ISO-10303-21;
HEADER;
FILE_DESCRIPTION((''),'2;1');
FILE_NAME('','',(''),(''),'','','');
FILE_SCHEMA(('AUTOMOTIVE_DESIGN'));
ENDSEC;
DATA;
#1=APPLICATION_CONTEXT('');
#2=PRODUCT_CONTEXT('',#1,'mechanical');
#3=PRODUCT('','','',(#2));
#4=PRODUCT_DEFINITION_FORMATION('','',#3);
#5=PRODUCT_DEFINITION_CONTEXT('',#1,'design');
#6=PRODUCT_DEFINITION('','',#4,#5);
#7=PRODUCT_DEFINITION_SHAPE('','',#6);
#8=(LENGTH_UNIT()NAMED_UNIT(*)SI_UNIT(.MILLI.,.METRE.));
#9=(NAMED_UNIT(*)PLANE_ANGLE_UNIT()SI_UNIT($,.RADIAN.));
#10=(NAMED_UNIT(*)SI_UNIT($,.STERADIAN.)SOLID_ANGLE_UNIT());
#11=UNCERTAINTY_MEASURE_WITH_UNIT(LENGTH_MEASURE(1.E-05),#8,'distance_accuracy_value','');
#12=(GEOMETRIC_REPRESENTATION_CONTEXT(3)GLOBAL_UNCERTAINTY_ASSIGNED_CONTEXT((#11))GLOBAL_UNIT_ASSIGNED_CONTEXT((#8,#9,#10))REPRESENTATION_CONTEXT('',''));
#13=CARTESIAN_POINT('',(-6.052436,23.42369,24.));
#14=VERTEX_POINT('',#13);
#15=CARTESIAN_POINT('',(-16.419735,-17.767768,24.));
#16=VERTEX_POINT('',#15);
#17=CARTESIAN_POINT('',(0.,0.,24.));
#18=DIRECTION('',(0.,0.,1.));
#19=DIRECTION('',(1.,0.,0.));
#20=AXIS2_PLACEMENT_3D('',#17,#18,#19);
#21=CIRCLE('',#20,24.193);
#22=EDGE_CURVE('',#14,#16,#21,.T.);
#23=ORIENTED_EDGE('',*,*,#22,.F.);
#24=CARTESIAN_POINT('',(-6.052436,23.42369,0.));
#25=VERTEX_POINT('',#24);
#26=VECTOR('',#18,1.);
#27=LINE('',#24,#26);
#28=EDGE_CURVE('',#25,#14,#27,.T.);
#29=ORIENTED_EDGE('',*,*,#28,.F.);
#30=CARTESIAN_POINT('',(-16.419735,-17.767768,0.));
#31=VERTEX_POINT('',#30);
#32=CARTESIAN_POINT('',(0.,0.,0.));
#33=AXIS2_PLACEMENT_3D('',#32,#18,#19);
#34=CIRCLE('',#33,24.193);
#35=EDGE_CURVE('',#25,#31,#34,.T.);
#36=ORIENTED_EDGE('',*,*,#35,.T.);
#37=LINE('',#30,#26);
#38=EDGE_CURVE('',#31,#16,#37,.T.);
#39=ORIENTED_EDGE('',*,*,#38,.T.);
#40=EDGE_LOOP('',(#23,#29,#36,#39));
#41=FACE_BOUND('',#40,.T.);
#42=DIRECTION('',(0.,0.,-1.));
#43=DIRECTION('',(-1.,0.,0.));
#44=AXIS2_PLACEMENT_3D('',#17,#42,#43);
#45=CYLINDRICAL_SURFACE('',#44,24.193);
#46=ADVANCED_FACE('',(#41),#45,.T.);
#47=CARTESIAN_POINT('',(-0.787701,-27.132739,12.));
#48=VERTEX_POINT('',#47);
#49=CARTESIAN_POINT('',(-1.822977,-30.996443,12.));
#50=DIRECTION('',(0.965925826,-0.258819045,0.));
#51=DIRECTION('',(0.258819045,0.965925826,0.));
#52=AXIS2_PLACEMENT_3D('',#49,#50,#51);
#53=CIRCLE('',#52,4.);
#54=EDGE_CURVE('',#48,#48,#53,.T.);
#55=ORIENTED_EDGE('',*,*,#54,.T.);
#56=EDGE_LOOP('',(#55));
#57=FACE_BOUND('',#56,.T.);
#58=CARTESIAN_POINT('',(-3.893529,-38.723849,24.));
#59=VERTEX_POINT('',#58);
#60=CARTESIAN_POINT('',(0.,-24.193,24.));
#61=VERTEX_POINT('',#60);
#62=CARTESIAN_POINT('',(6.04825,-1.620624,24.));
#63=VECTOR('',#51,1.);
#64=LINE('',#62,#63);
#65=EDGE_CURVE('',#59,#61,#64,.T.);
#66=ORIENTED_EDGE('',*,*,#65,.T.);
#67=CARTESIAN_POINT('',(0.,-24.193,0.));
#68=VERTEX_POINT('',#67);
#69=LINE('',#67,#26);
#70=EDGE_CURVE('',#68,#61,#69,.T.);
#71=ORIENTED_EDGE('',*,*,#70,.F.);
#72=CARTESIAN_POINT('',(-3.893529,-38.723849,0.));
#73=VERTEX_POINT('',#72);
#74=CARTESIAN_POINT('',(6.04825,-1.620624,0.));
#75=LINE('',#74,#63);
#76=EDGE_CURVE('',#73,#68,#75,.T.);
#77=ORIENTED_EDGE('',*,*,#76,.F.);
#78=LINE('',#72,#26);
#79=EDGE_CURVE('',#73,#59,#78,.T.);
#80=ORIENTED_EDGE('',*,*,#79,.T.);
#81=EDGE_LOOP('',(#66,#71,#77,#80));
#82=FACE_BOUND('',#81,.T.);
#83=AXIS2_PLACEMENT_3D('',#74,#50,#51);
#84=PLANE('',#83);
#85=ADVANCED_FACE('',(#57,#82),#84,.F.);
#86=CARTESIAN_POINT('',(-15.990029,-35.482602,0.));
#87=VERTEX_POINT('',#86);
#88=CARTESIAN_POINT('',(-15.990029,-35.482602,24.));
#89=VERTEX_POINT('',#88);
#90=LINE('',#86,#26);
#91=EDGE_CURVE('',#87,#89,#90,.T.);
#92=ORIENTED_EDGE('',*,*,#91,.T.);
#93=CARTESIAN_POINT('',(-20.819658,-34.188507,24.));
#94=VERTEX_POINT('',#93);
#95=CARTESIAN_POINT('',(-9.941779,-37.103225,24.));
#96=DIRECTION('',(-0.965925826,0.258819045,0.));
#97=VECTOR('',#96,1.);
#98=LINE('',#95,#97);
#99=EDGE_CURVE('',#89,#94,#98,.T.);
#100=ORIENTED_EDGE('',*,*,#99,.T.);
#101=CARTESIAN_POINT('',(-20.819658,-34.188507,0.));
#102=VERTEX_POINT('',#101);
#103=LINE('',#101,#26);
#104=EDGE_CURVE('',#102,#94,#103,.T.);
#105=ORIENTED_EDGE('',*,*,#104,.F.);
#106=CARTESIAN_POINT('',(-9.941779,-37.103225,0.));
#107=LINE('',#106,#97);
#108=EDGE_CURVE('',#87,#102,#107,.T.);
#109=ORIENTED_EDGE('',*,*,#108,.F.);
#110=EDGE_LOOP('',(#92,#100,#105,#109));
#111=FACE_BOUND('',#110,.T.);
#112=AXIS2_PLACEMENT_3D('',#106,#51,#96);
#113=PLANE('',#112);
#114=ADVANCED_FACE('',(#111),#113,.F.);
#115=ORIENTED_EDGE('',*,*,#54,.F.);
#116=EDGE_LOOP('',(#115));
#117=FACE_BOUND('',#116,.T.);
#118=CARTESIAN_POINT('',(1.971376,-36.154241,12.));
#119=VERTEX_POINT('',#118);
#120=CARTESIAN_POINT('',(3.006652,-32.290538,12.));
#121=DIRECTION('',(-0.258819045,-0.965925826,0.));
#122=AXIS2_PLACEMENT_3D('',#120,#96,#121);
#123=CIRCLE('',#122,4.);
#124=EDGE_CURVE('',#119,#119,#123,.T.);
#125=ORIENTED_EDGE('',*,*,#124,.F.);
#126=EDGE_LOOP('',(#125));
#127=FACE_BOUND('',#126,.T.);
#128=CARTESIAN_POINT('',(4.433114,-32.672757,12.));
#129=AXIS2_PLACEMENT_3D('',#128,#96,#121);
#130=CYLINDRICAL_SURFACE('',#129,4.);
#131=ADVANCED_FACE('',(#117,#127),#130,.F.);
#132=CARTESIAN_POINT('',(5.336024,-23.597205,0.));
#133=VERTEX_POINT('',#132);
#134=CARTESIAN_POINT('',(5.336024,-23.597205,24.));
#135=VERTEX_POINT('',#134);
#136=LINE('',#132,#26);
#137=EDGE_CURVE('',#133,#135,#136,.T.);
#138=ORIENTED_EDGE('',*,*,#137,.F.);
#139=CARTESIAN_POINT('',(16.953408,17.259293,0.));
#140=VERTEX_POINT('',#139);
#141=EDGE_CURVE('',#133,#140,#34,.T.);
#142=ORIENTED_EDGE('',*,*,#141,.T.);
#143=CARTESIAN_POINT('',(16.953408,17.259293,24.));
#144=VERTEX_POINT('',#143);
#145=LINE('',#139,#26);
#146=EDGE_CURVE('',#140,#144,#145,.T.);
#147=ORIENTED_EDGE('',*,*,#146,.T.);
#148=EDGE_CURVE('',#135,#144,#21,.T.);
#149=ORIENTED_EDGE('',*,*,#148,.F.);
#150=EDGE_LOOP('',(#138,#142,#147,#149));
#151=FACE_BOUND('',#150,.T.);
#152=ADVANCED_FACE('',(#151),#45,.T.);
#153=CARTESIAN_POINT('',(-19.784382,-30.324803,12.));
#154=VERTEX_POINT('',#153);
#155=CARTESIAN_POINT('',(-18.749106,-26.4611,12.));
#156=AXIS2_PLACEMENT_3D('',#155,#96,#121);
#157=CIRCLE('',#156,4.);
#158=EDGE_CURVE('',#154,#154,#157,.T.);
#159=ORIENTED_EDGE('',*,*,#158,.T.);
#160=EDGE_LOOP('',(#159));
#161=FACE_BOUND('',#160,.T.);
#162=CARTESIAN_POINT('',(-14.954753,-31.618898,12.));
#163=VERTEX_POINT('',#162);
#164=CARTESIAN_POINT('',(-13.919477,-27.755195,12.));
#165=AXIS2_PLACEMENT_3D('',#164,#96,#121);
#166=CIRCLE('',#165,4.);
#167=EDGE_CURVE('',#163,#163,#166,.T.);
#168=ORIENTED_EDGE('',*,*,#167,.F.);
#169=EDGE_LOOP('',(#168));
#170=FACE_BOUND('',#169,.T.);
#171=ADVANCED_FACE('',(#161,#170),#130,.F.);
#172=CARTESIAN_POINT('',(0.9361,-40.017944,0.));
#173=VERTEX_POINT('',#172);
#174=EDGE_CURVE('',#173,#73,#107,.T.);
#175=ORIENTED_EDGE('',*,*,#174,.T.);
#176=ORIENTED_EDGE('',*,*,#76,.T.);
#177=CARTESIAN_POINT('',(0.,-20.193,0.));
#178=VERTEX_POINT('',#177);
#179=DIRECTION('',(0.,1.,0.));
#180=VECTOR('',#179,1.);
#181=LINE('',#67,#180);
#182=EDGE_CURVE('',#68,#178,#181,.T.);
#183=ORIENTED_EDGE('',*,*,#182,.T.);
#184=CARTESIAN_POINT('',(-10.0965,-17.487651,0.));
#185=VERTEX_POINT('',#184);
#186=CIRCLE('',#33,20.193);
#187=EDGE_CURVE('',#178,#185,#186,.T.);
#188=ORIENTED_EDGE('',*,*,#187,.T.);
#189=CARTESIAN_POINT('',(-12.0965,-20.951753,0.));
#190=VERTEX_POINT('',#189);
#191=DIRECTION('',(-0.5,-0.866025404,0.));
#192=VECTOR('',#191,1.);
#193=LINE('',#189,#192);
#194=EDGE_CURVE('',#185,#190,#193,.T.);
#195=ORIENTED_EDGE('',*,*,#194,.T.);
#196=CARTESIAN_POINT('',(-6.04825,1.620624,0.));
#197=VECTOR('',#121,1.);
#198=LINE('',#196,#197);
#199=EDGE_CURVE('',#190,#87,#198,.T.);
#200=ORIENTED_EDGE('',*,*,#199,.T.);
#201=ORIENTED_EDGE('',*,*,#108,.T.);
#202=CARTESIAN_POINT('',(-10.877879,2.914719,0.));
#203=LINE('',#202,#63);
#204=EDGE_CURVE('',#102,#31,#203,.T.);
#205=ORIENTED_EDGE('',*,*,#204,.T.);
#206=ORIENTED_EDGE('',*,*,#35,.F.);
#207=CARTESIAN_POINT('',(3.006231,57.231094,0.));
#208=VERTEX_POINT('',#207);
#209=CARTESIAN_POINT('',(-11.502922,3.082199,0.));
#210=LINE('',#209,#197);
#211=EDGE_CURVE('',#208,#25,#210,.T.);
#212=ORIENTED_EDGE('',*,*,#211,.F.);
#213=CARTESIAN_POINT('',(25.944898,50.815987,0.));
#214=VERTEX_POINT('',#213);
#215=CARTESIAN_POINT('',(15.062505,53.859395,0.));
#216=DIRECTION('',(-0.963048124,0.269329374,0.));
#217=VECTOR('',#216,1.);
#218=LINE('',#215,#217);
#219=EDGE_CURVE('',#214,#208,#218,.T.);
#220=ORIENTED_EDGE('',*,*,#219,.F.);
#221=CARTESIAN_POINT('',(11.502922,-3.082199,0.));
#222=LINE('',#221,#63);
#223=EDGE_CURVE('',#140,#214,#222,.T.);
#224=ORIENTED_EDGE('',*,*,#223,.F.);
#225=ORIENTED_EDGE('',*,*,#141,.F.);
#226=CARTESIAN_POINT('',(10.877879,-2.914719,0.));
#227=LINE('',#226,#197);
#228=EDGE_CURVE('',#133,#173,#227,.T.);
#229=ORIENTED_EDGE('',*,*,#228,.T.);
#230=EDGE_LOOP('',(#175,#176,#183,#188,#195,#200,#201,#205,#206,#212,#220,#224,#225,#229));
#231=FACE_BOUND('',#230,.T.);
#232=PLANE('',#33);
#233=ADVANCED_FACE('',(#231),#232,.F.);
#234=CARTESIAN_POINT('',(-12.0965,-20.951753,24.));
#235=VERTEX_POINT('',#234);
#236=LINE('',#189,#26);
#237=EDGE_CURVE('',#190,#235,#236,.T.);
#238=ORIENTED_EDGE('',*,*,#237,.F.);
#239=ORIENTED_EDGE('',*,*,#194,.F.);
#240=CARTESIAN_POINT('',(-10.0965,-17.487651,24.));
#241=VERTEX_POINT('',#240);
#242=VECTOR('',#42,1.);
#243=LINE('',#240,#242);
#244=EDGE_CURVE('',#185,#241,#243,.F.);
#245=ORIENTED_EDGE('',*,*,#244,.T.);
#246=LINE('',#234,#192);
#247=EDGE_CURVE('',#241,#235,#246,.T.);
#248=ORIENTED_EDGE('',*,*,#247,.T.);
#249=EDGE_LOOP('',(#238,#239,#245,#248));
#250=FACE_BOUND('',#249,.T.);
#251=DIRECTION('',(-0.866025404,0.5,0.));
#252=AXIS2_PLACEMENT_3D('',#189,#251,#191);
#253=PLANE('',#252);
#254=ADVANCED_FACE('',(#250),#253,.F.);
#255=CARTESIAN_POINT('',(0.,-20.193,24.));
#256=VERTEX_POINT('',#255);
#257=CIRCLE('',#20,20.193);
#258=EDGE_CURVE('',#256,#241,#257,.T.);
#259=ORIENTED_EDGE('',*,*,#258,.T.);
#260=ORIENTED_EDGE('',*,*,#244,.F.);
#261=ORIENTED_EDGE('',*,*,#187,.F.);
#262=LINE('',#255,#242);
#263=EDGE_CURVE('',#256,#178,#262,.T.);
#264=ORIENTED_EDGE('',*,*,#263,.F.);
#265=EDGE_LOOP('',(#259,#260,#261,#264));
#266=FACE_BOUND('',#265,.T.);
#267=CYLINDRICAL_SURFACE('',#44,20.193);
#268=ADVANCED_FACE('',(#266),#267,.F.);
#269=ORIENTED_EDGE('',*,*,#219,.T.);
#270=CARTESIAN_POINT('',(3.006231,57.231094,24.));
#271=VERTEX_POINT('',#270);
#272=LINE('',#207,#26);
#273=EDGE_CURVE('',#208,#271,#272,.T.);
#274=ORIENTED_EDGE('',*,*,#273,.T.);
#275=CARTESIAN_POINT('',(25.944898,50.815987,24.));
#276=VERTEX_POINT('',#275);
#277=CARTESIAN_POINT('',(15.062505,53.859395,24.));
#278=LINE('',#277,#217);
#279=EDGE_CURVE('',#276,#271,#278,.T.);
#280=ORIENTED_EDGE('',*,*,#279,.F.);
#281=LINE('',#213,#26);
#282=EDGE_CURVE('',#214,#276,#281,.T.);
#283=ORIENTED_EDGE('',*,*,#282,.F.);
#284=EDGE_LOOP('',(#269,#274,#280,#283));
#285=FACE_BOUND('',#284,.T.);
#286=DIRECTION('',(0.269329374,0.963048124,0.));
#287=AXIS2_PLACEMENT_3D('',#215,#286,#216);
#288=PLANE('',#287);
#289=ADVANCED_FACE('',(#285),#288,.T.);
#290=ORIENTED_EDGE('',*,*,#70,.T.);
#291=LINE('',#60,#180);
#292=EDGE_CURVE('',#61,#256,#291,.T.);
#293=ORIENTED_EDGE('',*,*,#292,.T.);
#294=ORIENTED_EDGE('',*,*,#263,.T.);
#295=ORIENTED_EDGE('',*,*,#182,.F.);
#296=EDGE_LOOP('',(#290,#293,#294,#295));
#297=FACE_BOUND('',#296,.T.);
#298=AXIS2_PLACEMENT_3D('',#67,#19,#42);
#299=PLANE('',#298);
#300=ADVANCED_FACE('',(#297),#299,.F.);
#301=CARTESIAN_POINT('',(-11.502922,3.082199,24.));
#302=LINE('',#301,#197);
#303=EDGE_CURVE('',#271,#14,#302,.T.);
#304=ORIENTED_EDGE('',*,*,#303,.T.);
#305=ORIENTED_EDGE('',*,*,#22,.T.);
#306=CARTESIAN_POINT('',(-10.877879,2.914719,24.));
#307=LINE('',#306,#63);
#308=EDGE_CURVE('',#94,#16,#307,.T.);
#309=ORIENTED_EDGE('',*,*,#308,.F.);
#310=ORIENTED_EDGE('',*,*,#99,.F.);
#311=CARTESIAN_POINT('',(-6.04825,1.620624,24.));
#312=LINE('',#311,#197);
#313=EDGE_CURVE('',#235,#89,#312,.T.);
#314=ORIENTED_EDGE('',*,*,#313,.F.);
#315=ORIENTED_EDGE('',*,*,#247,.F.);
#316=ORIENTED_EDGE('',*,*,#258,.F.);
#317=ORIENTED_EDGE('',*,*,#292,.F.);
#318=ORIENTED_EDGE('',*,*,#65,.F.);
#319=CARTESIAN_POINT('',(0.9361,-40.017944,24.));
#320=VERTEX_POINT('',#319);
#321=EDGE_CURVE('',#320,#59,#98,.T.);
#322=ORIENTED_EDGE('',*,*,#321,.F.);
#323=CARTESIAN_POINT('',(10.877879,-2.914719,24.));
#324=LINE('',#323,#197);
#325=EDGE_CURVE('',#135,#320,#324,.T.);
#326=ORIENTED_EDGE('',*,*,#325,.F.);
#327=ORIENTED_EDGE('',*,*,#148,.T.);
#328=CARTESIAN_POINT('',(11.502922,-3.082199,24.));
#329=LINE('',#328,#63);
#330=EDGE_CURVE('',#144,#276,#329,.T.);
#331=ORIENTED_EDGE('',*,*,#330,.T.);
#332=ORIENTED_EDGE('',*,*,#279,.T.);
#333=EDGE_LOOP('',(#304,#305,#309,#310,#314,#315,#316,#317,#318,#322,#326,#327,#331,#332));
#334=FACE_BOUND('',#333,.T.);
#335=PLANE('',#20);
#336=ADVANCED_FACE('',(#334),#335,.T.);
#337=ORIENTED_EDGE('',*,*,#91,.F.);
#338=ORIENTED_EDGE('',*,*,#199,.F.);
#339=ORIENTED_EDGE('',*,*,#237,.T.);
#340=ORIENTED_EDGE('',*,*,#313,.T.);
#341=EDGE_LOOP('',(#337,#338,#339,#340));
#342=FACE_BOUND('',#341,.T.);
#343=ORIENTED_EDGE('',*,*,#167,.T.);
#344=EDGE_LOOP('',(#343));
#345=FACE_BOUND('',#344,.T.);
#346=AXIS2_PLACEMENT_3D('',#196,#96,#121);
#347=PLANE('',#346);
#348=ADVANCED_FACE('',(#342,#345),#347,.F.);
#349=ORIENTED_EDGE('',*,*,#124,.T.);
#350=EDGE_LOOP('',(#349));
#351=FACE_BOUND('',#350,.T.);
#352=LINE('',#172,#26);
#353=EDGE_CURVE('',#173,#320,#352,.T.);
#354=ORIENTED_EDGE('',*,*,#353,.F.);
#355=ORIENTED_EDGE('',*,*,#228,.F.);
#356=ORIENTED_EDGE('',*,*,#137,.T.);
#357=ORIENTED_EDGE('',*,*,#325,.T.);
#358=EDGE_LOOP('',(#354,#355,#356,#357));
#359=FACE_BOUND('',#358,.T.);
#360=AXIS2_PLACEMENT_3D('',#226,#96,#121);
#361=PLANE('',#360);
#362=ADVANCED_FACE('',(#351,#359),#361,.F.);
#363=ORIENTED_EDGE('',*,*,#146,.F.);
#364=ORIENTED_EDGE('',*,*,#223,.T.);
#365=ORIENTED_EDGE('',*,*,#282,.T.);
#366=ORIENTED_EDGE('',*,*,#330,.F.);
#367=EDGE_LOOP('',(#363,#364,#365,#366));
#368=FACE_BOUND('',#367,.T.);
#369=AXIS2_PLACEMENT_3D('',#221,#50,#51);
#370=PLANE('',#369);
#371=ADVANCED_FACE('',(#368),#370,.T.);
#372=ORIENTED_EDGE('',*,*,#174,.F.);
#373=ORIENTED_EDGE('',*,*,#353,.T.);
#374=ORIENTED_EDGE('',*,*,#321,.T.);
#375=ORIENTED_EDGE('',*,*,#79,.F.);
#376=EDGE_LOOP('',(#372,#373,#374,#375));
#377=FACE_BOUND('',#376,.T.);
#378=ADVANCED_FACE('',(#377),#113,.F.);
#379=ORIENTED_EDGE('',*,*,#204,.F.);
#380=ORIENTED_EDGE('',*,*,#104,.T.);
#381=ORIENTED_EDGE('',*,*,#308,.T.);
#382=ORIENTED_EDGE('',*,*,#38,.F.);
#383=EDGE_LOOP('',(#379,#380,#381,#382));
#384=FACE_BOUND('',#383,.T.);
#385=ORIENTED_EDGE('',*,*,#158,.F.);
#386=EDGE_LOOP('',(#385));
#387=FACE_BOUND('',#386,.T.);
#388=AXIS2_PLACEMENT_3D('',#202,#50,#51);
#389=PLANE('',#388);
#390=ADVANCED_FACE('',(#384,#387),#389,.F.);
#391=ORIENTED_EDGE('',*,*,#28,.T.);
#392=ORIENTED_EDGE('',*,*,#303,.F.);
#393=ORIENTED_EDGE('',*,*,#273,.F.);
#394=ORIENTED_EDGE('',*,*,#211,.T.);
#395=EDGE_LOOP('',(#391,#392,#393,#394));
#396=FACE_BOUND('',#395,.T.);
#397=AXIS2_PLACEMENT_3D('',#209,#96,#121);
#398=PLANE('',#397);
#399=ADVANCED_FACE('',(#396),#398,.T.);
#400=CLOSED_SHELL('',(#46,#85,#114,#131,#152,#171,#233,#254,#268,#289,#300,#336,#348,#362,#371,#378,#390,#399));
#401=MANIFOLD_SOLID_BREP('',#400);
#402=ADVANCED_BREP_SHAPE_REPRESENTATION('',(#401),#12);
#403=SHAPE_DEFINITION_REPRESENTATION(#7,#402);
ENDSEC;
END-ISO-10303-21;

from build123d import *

# Parameters (mm, degrees)
SKETCH1_R           = 24.193
SKETCH1_R_2         = 20.193
BOSS_EXTRUDE1_DEPTH = 24
CUT_EXTRUDE1_DEPTH  = 24
BOSS_EXTRUDE2_START = -24
BOSS_EXTRUDE2_DEPTH = 24
SKETCH4_R           = 4
CUT_EXTRUDE2_DEPTH  = 24
BOSS_EXTRUDE4_START = -24
BOSS_EXTRUDE4_DEPTH = 24


with BuildPart() as part:
    # Sketch1 → Boss-Extrude1 (new body)
    with BuildSketch(Plane.XY):
        Circle(SKETCH1_R)
        Circle(SKETCH1_R_2, mode=Mode.SUBTRACT)
    extrude(amount=BOSS_EXTRUDE1_DEPTH)

    # Sketch2 → Cut-Extrude1 (cut)
    with BuildSketch(Plane.XY.offset(24)):
        Polygon((0, -24.193), (-5.8341998, -24.895299835), (-12.0965, -20.951752594), (0, 0), align=None)
    extrude(amount=-CUT_EXTRUDE1_DEPTH, mode=Mode.SUBTRACT)

    # Sketch3 → Boss-Extrude2 (add)
    with BuildSketch(Plane.XY.offset(24).offset(BOSS_EXTRUDE2_START)):
        with BuildLine():
            Line((-15.990029306, -35.482601784), (-12.0965, -20.951752594))
            ThreePointArc((-12.0965, -20.951752594), (-14.346719144, -19.480064138), (-16.419734671, -17.767767512))
            Line((-16.419734671, -17.767767512), (-20.819658437, -34.188506559))
            Line((-20.819658437, -34.188506559), (-15.990029306, -35.482601784))
        make_face()
        with BuildLine():
            ThreePointArc((5.336023592, -23.597205369), (2.684591171, -24.043589982), (0, -24.193))
            Line((0, -24.193), (-3.893529306, -38.72384919))
            Line((-3.893529306, -38.72384919), (0.936099826, -40.017944416))
            Line((0.936099826, -40.017944416), (5.336023592, -23.597205369))
        make_face()
    extrude(amount=BOSS_EXTRUDE2_DEPTH)

    # Sketch4 → Cut-Extrude2 (cut)
    with BuildSketch(Plane(origin=(-10.877879131, 2.914718929, 0), x_dir=(0, 0, 1), z_dir=(-0.9659258262890682, 0.2588190451025212, 0))):
        with Locations(Location((12, -30.412085563, 0), (0, 0, 270))):
            Circle(SKETCH4_R)
    extrude(amount=-CUT_EXTRUDE2_DEPTH, mode=Mode.SUBTRACT)

    # Sketch5 → Boss-Extrude4 (add)
    with BuildSketch(Plane.XY.offset(24).offset(BOSS_EXTRUDE4_START)):
        with BuildLine():
            ThreePointArc((-6.052435886, 23.423690334), (6.261609158, 23.368643515), (16.953408399, 17.259292937))
            Line((16.953408399, 17.259292937), (25.944897535, 50.81598723))
            Line((25.944897535, 50.81598723), (3.006230693, 57.231094254))
            Line((3.006230693, 57.231094254), (-6.052435886, 23.423690334))
        make_face()
    extrude(amount=BOSS_EXTRUDE4_DEPTH)


solid = part.part
